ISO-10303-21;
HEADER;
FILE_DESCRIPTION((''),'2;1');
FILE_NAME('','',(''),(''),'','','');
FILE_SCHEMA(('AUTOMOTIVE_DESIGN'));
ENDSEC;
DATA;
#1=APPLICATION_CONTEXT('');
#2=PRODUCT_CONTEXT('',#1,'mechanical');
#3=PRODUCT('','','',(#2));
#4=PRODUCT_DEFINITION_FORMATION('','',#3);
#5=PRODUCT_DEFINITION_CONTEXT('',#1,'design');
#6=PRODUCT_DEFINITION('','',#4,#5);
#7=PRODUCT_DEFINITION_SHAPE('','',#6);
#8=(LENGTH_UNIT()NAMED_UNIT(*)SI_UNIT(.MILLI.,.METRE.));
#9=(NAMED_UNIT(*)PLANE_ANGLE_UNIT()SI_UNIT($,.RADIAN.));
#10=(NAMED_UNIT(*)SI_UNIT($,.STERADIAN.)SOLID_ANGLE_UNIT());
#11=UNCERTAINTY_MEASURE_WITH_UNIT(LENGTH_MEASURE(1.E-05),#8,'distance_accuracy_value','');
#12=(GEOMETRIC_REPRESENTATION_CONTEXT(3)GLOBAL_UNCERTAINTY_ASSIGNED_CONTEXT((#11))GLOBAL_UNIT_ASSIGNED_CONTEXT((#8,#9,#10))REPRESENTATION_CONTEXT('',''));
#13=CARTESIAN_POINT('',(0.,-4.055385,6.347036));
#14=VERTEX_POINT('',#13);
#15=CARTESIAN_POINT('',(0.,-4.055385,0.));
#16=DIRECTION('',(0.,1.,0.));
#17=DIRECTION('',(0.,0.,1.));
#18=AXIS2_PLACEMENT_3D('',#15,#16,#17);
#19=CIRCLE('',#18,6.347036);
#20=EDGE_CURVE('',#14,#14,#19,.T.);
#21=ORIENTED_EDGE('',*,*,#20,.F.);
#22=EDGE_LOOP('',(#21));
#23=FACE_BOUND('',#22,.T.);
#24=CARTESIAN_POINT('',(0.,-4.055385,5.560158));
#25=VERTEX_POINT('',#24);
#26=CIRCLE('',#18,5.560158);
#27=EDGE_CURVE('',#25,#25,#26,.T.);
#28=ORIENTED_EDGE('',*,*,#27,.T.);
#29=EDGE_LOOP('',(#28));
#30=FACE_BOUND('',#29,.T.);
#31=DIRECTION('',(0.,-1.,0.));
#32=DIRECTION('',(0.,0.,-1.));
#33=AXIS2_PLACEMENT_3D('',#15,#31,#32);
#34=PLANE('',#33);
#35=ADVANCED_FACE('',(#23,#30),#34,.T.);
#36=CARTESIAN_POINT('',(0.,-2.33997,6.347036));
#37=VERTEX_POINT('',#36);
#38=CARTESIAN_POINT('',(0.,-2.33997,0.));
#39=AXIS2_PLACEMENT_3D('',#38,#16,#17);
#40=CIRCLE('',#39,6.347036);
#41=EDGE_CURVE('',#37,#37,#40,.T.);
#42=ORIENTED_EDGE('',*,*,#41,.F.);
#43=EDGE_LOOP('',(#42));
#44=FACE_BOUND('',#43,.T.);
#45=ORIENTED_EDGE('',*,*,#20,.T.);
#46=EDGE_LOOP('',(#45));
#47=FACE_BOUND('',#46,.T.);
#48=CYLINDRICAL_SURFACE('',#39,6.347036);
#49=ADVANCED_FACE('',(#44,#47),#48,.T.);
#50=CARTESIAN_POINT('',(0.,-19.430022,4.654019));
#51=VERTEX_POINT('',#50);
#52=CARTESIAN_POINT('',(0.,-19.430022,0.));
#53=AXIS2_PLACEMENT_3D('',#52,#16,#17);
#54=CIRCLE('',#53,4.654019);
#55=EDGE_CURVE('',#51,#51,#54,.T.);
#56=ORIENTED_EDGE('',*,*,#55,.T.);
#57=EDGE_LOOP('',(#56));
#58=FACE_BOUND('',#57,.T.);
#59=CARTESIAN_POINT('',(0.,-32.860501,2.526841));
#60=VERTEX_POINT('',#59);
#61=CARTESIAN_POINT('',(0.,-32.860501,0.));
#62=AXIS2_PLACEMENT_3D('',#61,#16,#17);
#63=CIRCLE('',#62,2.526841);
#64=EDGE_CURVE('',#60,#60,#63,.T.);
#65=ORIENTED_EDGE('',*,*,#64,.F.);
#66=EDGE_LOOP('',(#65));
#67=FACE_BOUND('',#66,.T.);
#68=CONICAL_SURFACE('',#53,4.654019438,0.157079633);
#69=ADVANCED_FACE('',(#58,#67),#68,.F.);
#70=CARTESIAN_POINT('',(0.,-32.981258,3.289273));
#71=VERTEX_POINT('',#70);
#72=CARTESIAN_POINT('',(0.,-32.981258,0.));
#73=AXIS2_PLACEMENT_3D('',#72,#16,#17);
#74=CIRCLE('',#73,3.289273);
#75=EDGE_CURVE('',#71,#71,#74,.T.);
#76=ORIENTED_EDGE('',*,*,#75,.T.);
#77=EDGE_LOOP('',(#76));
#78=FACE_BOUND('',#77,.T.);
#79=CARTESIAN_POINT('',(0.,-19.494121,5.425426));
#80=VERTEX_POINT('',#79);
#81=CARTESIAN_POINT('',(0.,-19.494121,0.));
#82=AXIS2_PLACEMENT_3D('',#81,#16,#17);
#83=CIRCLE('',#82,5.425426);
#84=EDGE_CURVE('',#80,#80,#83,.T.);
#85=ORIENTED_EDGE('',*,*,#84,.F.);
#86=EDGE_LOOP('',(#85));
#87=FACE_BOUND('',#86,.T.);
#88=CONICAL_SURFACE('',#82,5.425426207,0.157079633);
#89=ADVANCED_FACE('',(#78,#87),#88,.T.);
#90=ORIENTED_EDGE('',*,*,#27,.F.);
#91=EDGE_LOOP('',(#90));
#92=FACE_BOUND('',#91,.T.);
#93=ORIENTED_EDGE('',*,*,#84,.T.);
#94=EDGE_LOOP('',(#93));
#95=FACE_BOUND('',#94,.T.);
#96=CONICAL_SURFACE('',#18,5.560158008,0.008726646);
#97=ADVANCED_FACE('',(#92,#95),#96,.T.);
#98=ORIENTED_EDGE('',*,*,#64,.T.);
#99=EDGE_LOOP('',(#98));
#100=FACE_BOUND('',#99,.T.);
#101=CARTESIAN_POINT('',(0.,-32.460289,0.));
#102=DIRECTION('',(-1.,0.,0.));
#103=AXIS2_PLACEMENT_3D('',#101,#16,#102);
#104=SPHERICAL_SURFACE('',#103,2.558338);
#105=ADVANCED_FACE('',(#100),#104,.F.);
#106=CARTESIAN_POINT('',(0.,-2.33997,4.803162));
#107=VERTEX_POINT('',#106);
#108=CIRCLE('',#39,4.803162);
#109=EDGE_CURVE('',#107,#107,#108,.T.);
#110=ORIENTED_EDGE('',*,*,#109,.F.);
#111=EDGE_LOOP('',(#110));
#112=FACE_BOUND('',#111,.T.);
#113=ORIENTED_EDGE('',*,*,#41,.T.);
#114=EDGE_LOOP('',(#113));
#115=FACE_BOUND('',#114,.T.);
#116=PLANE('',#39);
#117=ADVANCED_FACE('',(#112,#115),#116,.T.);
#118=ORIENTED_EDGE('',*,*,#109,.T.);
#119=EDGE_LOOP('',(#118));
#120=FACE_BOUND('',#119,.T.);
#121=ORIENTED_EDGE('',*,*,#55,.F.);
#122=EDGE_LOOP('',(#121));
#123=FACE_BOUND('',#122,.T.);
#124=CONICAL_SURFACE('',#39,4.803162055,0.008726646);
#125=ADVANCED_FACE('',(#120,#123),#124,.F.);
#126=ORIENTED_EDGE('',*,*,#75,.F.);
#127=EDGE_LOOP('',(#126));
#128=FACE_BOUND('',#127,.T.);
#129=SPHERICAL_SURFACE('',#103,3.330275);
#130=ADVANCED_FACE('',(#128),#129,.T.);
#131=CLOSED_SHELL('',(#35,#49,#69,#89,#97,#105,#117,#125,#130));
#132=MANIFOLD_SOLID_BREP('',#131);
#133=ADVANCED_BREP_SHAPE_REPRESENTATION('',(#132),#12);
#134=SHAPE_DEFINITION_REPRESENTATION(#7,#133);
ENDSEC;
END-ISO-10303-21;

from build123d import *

# Parameters (mm, degrees)
SCALE1_SCALE = 0.85770751


with BuildPart() as part:
    # Sketch1 → Revolve25 (revolve)
    with BuildSketch(Plane.XY):
        with BuildLine():
            Line((-5.582614804, -1.992146118), (-5.6, 0))
            Line((-5.6, 0), (-7.4, 0))
            Line((-7.4, 0), (-7.4, -2))
            Line((-7.4, -2), (-6.482580535, -2))
            Line((-6.482580535, -2), (-6.325496915, -20))
            Line((-6.325496915, -20), (-3.834959356, -35.724635285))
            ThreePointArc((-3.834959356, -35.724635285), (-2.521652597, -38.069713242), (0, -39))
            Line((0, -39), (0, -38.1))
            ThreePointArc((0, -38.1), (-1.937149354, -37.385347873), (-2.946039849, -35.583844266))
            Line((-2.946039849, -35.583844266), (-5.426114828, -19.925267112))
            Line((-5.426114828, -19.925267112), (-5.582614804, -1.992146118))
        make_face()
    revolve(axis=Axis((0, 0, 0), (0, -1, 0)))


with BuildPart() as part_1:
    # Scale1: scaled about (0, -16.444791582, 0)
    add(part.part.scale(SCALE1_SCALE).moved(Location((0, -2.339970344, 0))))


solid = part_1.part
